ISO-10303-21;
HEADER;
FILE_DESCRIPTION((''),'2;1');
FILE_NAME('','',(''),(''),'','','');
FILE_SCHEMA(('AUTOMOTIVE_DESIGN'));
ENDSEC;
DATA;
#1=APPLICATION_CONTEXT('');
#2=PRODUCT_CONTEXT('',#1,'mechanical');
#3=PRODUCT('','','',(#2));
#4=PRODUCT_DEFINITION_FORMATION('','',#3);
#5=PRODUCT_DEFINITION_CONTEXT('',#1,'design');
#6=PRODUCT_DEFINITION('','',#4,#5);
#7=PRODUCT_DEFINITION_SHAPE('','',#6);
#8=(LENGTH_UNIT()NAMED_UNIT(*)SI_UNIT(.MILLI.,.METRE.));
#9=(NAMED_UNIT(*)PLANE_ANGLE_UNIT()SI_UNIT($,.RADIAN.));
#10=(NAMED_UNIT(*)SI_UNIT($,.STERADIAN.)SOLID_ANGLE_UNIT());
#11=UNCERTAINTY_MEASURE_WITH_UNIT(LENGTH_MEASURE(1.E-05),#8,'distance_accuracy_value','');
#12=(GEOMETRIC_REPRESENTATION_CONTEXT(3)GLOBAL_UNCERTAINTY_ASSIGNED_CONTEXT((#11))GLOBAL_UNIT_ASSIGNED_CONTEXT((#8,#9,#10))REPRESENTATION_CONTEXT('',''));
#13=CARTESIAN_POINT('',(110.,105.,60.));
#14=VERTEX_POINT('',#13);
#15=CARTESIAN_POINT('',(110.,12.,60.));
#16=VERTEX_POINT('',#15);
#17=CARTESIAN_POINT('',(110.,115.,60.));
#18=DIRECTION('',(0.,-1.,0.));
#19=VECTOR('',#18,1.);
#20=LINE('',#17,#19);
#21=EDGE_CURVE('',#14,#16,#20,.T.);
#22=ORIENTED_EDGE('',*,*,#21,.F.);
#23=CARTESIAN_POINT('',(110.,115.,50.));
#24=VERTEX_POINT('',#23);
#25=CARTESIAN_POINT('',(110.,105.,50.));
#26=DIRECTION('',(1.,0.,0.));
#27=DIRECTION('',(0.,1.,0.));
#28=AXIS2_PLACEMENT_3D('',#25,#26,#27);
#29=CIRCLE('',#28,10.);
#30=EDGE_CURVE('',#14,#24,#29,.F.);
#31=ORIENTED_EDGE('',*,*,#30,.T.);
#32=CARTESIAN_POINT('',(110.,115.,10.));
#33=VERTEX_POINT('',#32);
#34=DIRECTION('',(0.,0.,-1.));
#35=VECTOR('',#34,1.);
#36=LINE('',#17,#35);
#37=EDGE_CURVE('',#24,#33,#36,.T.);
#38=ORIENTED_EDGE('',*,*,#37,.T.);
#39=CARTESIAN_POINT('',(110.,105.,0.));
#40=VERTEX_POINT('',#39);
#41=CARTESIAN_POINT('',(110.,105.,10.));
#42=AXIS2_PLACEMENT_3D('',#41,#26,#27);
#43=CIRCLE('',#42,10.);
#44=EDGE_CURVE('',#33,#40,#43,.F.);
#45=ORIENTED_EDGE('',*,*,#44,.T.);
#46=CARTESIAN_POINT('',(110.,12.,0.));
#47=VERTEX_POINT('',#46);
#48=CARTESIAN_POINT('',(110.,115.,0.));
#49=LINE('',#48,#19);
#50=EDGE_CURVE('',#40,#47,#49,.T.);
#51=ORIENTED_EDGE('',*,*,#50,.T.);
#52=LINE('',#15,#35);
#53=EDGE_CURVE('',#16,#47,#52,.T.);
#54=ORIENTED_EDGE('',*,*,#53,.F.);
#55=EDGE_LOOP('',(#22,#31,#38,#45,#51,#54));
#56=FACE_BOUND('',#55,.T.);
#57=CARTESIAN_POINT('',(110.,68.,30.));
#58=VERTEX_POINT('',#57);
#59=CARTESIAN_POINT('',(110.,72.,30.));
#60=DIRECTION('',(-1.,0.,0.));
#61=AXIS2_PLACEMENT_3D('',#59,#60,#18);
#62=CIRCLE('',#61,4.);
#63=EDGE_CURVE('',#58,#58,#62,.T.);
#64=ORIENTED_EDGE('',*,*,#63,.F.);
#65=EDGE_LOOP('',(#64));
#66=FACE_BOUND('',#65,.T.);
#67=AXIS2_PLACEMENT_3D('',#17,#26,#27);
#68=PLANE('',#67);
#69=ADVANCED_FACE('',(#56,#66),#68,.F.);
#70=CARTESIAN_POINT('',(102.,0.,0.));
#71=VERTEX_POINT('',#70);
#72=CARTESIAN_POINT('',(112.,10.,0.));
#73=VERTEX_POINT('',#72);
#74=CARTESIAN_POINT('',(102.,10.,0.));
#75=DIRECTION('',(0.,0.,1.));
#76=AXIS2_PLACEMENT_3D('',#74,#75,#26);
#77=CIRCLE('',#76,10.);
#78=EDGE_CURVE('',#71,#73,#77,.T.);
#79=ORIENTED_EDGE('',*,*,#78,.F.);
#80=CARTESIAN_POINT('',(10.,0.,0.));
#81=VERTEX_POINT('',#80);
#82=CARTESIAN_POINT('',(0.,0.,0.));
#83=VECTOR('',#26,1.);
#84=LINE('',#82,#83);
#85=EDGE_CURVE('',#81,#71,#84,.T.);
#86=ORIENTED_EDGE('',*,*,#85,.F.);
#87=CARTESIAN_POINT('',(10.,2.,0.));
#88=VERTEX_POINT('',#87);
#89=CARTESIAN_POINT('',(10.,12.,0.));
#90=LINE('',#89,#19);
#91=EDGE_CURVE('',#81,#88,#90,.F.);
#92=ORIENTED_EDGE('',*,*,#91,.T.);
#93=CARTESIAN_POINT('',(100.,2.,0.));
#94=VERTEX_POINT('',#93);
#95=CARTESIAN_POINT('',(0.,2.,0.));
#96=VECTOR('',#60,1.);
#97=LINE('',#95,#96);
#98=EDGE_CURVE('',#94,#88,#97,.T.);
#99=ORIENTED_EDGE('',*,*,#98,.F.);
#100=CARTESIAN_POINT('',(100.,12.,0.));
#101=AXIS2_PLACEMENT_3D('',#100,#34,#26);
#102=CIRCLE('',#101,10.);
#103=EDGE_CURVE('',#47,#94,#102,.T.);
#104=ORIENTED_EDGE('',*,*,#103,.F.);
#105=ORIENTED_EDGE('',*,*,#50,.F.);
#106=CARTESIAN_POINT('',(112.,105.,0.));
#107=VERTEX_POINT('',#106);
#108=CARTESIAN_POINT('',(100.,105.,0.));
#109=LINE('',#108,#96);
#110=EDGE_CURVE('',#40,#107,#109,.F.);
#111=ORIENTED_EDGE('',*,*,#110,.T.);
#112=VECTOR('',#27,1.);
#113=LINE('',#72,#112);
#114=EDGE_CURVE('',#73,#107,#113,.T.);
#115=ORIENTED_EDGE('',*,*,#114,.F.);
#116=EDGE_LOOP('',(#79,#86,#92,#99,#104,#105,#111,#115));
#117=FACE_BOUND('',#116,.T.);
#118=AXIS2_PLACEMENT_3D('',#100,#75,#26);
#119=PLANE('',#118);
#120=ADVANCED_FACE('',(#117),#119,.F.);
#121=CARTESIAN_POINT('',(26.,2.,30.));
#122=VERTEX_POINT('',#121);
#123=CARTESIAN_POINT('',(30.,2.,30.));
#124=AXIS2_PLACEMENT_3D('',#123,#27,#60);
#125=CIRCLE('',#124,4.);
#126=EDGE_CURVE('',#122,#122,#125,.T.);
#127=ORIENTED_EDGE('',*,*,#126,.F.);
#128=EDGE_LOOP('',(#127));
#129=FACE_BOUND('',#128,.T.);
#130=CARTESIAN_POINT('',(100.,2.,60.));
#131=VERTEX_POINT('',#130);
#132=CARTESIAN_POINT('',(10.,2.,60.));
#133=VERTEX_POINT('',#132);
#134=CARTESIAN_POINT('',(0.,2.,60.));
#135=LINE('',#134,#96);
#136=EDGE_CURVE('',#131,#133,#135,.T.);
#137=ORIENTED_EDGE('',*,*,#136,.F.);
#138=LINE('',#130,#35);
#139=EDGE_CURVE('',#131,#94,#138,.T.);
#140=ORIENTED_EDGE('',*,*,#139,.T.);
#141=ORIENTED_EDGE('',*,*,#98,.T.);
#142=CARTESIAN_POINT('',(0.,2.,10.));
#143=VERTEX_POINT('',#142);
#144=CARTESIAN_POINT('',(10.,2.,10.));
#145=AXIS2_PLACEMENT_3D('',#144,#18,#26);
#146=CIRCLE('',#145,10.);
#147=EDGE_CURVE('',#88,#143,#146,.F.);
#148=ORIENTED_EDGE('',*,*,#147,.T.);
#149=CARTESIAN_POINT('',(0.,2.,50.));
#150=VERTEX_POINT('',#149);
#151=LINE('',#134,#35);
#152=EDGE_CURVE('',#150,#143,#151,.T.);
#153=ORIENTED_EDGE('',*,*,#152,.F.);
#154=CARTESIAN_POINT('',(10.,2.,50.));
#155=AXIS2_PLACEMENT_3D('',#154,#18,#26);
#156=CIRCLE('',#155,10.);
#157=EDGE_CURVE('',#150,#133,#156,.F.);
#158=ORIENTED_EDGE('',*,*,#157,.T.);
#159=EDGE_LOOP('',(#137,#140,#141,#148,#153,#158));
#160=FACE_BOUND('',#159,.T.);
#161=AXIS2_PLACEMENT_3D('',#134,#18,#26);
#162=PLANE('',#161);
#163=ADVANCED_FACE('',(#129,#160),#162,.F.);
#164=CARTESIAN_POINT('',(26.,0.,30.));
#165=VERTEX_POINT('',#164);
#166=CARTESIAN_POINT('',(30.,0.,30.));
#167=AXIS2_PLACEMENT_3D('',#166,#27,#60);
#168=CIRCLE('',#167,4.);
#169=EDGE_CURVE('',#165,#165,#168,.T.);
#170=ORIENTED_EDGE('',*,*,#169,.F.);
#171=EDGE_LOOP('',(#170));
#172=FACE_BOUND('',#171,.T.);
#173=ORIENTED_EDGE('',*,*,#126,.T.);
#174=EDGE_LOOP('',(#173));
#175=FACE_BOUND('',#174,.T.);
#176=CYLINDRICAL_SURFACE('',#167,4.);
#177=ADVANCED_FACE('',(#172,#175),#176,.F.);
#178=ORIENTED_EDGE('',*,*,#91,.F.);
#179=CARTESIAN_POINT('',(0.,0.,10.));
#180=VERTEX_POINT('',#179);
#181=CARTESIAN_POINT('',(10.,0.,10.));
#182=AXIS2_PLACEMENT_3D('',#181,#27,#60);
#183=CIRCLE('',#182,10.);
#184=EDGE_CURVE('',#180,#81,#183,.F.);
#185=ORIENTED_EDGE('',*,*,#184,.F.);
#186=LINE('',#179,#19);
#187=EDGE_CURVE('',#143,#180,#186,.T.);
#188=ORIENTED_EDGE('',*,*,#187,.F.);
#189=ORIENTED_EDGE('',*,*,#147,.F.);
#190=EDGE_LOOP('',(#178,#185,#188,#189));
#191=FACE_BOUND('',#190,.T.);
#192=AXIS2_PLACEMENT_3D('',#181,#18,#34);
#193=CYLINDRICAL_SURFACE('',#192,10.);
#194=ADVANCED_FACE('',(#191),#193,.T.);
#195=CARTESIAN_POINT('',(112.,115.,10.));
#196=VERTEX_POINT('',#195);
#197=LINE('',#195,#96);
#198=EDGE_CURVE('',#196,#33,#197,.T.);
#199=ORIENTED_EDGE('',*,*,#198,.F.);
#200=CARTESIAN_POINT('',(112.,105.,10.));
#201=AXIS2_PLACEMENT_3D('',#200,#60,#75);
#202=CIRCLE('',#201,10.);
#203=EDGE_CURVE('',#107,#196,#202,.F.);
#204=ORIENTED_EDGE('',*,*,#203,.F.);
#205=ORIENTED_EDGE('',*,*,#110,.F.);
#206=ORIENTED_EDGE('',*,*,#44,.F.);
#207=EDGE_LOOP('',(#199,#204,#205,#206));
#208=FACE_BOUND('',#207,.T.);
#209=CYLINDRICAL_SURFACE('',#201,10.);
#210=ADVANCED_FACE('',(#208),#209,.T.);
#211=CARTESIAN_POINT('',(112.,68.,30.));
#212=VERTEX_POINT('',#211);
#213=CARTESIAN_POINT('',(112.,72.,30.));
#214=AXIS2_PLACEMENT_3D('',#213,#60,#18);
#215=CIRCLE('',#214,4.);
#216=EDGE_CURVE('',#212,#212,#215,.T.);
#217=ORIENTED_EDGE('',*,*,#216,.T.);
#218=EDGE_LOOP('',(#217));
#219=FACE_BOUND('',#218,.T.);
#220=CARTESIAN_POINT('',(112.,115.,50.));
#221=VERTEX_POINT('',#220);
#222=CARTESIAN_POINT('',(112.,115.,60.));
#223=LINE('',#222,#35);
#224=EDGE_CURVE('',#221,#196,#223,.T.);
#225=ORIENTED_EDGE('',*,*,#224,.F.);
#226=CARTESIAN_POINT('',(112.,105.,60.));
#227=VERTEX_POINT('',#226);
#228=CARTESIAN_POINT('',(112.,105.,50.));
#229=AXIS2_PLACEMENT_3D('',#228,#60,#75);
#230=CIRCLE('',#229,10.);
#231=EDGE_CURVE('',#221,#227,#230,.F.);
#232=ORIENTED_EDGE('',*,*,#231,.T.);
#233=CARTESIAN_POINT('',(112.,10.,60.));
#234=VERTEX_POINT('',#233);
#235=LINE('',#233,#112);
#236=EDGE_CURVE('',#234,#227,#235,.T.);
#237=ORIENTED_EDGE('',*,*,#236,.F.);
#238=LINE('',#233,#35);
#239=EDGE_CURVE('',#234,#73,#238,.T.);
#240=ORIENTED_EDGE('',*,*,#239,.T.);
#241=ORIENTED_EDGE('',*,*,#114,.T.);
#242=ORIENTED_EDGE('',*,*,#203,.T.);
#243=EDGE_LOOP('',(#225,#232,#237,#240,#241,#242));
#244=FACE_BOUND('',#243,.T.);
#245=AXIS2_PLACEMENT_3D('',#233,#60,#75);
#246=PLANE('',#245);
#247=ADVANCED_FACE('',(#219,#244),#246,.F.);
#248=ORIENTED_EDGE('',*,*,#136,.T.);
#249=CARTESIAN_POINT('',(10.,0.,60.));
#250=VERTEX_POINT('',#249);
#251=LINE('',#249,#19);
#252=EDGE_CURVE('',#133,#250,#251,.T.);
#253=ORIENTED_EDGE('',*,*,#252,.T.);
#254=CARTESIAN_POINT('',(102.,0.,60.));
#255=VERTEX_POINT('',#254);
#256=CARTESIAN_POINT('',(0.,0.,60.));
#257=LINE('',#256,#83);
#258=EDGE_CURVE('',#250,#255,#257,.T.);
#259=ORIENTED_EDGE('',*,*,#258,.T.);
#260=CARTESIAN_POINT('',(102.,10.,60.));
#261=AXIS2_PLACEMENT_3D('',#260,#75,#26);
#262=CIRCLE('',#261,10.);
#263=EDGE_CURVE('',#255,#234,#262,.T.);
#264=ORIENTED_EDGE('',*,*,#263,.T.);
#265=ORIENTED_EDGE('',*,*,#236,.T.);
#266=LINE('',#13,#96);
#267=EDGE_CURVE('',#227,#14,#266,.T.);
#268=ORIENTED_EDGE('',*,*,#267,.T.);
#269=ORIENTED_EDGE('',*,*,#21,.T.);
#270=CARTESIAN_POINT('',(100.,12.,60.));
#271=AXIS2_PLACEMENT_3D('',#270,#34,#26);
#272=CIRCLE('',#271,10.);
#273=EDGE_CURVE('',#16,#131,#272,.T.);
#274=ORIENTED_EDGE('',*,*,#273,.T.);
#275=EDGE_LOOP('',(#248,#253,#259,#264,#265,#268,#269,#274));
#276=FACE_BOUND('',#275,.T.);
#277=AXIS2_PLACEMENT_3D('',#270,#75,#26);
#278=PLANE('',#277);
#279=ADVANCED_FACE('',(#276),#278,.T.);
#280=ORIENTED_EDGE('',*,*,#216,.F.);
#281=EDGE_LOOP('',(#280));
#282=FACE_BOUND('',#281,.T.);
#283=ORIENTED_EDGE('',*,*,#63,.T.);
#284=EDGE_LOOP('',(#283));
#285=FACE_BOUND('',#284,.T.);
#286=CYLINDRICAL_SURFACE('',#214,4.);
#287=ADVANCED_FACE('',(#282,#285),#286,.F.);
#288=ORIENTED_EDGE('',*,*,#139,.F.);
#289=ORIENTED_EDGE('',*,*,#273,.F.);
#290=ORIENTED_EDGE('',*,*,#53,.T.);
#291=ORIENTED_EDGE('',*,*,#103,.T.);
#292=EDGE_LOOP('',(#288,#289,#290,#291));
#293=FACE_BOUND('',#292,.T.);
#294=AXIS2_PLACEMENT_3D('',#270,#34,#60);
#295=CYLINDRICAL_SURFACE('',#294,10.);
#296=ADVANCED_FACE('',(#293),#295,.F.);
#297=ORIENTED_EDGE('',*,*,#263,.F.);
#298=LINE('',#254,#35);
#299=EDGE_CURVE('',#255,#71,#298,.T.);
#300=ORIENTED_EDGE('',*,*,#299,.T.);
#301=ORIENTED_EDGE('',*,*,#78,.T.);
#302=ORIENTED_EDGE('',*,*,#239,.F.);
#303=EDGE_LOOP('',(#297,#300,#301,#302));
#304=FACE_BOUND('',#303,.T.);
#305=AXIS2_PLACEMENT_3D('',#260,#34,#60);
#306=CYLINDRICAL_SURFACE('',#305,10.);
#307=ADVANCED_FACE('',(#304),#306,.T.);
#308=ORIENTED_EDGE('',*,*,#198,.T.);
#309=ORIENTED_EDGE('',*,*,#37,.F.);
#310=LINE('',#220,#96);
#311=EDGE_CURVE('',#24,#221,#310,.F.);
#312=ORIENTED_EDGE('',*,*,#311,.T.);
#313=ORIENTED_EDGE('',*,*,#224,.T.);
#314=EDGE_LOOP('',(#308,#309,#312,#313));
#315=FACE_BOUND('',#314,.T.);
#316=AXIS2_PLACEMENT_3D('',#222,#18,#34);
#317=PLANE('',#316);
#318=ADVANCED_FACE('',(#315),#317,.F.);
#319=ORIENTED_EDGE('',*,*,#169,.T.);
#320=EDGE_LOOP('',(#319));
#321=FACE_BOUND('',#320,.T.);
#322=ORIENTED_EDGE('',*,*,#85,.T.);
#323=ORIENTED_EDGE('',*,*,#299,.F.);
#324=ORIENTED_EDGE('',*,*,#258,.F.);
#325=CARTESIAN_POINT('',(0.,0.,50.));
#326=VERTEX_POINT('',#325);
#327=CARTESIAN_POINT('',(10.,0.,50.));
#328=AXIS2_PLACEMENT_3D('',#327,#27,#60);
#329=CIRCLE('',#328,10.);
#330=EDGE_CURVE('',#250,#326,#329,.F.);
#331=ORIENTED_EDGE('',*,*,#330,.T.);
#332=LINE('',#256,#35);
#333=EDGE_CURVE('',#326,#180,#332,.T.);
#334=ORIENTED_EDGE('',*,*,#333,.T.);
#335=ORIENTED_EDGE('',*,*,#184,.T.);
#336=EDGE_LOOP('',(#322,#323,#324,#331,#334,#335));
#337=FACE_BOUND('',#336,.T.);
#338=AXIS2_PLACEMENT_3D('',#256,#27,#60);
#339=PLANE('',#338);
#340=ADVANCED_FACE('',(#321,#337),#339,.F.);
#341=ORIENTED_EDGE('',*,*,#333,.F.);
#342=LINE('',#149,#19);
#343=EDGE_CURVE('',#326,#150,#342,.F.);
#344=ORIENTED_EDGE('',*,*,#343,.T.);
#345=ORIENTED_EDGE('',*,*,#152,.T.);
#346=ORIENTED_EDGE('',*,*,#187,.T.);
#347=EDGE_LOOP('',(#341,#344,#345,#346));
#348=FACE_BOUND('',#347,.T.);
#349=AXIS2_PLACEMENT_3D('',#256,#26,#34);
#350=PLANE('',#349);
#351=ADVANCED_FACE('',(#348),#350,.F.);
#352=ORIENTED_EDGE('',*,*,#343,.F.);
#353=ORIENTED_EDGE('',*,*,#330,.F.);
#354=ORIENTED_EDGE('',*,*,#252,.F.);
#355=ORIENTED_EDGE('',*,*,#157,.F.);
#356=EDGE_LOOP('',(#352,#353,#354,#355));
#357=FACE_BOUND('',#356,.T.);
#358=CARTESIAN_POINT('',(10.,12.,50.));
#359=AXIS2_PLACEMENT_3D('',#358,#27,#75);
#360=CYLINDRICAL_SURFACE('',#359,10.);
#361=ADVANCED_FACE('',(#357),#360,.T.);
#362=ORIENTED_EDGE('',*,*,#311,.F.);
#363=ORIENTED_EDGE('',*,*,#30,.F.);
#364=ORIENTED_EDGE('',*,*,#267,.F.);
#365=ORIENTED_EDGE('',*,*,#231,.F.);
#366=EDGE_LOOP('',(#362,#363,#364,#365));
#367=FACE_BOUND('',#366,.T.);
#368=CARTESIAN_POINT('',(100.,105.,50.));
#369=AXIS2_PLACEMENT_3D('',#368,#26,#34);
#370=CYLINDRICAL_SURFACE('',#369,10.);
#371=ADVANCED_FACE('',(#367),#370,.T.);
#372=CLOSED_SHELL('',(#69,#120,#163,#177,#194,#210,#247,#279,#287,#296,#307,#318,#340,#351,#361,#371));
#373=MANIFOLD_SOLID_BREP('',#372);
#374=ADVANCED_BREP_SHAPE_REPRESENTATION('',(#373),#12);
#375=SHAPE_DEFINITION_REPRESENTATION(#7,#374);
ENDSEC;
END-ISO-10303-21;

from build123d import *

# Parameters (mm, degrees)
BOSS_EXTRUDE1_DEPTH = 60
SKETCH3_R           = 4
CUT_EXTRUDE1_DEPTH  = 3
SKETCH4_R           = 4
CUT_EXTRUDE2_DEPTH  = 3
FILLET3_R           = 10
FILLET4_R           = 10


with BuildPart() as part:
    # Sketch1 → Boss-Extrude1 (new body)
    with BuildSketch(Plane.XY):
        with BuildLine():
            Line((0, 0), (102, 0))
            ThreePointArc((102, 0), (109.071067812, 2.928932188), (112, 10))
            Line((112, 10), (112, 115))
            Line((112, 115), (110, 115))
            Line((110, 115), (110, 12))
            ThreePointArc((110, 12), (107.071067812, 4.928932188), (100, 2))
            Line((100, 2), (0, 2))
            Line((0, 2), (0, 0))
        make_face()
    extrude(amount=BOSS_EXTRUDE1_DEPTH)

    # Sketch3 → Cut-Extrude1 (cut, through all)
    with BuildSketch(Plane(origin=(0, 2, 0), x_dir=(1, 0, 0), z_dir=(0, 1, 0))):
        with Locations((30, -30)):
            Circle(SKETCH3_R)
    extrude(amount=-CUT_EXTRUDE1_DEPTH, mode=Mode.SUBTRACT)

    # Sketch4 → Cut-Extrude2 (cut, through all)
    with BuildSketch(Plane.ZY.offset(-110)):
        with Locations((30, 72)):
            Circle(SKETCH4_R)
    extrude(amount=-CUT_EXTRUDE2_DEPTH, mode=Mode.SUBTRACT)

    # Fillet3
    fillet3_edges = [part.edges().sort_by_distance(p)[0] for p in [
        (111, 115, 60),
        (111, 115, 0),
    ]]
    fillet(fillet3_edges, radius=FILLET3_R)

    # Fillet4
    fillet4_edges = [part.edges().sort_by_distance(p)[0] for p in [
        (0, 1, 0),
        (0, 1, 60),
    ]]
    fillet(fillet4_edges, radius=FILLET4_R)


solid = part.part
